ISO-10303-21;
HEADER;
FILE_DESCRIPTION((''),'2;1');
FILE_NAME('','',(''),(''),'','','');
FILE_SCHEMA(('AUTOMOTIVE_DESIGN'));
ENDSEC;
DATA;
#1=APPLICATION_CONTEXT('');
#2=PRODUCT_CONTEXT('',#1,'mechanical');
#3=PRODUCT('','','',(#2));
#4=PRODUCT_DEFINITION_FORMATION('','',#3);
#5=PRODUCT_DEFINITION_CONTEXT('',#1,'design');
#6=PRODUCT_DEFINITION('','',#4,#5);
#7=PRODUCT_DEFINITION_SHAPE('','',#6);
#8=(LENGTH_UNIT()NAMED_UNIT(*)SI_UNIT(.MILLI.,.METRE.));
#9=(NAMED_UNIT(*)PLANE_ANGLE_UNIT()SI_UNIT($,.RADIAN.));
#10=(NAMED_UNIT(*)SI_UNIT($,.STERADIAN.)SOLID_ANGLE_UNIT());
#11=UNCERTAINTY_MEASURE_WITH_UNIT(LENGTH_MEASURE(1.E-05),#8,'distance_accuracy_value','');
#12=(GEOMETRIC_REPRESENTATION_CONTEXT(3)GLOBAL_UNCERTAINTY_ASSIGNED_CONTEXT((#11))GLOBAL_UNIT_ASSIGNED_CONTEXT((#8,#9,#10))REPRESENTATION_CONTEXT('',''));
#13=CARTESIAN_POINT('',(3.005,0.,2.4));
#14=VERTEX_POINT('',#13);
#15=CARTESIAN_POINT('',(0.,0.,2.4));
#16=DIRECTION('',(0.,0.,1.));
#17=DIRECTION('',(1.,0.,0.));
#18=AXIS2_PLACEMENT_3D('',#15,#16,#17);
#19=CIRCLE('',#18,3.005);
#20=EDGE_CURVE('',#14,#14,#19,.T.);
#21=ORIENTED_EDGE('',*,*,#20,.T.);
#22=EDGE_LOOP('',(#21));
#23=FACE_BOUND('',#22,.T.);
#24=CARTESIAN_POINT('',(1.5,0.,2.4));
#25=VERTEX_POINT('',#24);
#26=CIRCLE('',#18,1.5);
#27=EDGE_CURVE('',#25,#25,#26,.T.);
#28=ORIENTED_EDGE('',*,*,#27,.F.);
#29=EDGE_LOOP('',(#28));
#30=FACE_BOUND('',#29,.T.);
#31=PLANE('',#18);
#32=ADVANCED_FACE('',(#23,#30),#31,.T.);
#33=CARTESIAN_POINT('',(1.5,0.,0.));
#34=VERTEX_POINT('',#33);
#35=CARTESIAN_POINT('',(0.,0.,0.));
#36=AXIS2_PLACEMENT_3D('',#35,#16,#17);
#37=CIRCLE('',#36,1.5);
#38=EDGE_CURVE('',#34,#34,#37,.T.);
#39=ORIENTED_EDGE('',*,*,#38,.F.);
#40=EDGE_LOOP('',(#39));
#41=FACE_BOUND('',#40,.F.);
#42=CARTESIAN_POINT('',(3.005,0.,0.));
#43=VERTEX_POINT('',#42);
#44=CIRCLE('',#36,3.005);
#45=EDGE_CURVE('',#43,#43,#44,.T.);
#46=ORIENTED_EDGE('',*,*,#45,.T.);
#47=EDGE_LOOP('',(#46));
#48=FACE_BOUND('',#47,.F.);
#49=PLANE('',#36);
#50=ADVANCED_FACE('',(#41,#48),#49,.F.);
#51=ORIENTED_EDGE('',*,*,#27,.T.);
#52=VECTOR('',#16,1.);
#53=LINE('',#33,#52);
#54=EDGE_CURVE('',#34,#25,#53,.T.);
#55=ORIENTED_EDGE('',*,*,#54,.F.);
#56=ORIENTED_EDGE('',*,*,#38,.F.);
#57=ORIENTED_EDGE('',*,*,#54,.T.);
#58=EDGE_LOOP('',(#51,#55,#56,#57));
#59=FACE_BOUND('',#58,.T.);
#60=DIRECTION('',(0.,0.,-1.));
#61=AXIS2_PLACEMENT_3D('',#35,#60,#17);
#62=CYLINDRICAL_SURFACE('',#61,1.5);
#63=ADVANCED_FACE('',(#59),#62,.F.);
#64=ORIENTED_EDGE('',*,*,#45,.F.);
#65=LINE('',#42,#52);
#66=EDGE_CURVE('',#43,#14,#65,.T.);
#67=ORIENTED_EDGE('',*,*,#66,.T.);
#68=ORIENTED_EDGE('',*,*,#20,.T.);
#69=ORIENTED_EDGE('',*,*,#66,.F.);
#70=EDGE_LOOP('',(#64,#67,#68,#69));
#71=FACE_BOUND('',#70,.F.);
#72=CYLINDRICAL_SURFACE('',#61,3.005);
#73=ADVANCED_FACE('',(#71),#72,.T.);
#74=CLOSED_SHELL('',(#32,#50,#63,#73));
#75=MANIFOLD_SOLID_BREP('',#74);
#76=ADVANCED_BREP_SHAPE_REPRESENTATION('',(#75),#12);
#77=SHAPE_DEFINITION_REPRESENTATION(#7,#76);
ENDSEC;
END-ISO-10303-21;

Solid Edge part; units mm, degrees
sketch "Sketch1" plane through (0, 0, 0) normal (0, 0, 1) x (1, 0, 0)
  circle A0 centre (0, 0) radius 3.005
  circle A1 centre (0, 0) radius 1.5
  dimension "D1" = 6.01
  dimension "D2" = 3
extrude "Ajout_matière_1" add sketch "Sketch1" along normal blind 2.4
extrude "Enlèvement_matière_1" [suppressed]
extrude "Enlèvement_matière_2" [suppressed]
extrude "Enlèvement_matière_4" [suppressed]
properties material "Acier S235"
